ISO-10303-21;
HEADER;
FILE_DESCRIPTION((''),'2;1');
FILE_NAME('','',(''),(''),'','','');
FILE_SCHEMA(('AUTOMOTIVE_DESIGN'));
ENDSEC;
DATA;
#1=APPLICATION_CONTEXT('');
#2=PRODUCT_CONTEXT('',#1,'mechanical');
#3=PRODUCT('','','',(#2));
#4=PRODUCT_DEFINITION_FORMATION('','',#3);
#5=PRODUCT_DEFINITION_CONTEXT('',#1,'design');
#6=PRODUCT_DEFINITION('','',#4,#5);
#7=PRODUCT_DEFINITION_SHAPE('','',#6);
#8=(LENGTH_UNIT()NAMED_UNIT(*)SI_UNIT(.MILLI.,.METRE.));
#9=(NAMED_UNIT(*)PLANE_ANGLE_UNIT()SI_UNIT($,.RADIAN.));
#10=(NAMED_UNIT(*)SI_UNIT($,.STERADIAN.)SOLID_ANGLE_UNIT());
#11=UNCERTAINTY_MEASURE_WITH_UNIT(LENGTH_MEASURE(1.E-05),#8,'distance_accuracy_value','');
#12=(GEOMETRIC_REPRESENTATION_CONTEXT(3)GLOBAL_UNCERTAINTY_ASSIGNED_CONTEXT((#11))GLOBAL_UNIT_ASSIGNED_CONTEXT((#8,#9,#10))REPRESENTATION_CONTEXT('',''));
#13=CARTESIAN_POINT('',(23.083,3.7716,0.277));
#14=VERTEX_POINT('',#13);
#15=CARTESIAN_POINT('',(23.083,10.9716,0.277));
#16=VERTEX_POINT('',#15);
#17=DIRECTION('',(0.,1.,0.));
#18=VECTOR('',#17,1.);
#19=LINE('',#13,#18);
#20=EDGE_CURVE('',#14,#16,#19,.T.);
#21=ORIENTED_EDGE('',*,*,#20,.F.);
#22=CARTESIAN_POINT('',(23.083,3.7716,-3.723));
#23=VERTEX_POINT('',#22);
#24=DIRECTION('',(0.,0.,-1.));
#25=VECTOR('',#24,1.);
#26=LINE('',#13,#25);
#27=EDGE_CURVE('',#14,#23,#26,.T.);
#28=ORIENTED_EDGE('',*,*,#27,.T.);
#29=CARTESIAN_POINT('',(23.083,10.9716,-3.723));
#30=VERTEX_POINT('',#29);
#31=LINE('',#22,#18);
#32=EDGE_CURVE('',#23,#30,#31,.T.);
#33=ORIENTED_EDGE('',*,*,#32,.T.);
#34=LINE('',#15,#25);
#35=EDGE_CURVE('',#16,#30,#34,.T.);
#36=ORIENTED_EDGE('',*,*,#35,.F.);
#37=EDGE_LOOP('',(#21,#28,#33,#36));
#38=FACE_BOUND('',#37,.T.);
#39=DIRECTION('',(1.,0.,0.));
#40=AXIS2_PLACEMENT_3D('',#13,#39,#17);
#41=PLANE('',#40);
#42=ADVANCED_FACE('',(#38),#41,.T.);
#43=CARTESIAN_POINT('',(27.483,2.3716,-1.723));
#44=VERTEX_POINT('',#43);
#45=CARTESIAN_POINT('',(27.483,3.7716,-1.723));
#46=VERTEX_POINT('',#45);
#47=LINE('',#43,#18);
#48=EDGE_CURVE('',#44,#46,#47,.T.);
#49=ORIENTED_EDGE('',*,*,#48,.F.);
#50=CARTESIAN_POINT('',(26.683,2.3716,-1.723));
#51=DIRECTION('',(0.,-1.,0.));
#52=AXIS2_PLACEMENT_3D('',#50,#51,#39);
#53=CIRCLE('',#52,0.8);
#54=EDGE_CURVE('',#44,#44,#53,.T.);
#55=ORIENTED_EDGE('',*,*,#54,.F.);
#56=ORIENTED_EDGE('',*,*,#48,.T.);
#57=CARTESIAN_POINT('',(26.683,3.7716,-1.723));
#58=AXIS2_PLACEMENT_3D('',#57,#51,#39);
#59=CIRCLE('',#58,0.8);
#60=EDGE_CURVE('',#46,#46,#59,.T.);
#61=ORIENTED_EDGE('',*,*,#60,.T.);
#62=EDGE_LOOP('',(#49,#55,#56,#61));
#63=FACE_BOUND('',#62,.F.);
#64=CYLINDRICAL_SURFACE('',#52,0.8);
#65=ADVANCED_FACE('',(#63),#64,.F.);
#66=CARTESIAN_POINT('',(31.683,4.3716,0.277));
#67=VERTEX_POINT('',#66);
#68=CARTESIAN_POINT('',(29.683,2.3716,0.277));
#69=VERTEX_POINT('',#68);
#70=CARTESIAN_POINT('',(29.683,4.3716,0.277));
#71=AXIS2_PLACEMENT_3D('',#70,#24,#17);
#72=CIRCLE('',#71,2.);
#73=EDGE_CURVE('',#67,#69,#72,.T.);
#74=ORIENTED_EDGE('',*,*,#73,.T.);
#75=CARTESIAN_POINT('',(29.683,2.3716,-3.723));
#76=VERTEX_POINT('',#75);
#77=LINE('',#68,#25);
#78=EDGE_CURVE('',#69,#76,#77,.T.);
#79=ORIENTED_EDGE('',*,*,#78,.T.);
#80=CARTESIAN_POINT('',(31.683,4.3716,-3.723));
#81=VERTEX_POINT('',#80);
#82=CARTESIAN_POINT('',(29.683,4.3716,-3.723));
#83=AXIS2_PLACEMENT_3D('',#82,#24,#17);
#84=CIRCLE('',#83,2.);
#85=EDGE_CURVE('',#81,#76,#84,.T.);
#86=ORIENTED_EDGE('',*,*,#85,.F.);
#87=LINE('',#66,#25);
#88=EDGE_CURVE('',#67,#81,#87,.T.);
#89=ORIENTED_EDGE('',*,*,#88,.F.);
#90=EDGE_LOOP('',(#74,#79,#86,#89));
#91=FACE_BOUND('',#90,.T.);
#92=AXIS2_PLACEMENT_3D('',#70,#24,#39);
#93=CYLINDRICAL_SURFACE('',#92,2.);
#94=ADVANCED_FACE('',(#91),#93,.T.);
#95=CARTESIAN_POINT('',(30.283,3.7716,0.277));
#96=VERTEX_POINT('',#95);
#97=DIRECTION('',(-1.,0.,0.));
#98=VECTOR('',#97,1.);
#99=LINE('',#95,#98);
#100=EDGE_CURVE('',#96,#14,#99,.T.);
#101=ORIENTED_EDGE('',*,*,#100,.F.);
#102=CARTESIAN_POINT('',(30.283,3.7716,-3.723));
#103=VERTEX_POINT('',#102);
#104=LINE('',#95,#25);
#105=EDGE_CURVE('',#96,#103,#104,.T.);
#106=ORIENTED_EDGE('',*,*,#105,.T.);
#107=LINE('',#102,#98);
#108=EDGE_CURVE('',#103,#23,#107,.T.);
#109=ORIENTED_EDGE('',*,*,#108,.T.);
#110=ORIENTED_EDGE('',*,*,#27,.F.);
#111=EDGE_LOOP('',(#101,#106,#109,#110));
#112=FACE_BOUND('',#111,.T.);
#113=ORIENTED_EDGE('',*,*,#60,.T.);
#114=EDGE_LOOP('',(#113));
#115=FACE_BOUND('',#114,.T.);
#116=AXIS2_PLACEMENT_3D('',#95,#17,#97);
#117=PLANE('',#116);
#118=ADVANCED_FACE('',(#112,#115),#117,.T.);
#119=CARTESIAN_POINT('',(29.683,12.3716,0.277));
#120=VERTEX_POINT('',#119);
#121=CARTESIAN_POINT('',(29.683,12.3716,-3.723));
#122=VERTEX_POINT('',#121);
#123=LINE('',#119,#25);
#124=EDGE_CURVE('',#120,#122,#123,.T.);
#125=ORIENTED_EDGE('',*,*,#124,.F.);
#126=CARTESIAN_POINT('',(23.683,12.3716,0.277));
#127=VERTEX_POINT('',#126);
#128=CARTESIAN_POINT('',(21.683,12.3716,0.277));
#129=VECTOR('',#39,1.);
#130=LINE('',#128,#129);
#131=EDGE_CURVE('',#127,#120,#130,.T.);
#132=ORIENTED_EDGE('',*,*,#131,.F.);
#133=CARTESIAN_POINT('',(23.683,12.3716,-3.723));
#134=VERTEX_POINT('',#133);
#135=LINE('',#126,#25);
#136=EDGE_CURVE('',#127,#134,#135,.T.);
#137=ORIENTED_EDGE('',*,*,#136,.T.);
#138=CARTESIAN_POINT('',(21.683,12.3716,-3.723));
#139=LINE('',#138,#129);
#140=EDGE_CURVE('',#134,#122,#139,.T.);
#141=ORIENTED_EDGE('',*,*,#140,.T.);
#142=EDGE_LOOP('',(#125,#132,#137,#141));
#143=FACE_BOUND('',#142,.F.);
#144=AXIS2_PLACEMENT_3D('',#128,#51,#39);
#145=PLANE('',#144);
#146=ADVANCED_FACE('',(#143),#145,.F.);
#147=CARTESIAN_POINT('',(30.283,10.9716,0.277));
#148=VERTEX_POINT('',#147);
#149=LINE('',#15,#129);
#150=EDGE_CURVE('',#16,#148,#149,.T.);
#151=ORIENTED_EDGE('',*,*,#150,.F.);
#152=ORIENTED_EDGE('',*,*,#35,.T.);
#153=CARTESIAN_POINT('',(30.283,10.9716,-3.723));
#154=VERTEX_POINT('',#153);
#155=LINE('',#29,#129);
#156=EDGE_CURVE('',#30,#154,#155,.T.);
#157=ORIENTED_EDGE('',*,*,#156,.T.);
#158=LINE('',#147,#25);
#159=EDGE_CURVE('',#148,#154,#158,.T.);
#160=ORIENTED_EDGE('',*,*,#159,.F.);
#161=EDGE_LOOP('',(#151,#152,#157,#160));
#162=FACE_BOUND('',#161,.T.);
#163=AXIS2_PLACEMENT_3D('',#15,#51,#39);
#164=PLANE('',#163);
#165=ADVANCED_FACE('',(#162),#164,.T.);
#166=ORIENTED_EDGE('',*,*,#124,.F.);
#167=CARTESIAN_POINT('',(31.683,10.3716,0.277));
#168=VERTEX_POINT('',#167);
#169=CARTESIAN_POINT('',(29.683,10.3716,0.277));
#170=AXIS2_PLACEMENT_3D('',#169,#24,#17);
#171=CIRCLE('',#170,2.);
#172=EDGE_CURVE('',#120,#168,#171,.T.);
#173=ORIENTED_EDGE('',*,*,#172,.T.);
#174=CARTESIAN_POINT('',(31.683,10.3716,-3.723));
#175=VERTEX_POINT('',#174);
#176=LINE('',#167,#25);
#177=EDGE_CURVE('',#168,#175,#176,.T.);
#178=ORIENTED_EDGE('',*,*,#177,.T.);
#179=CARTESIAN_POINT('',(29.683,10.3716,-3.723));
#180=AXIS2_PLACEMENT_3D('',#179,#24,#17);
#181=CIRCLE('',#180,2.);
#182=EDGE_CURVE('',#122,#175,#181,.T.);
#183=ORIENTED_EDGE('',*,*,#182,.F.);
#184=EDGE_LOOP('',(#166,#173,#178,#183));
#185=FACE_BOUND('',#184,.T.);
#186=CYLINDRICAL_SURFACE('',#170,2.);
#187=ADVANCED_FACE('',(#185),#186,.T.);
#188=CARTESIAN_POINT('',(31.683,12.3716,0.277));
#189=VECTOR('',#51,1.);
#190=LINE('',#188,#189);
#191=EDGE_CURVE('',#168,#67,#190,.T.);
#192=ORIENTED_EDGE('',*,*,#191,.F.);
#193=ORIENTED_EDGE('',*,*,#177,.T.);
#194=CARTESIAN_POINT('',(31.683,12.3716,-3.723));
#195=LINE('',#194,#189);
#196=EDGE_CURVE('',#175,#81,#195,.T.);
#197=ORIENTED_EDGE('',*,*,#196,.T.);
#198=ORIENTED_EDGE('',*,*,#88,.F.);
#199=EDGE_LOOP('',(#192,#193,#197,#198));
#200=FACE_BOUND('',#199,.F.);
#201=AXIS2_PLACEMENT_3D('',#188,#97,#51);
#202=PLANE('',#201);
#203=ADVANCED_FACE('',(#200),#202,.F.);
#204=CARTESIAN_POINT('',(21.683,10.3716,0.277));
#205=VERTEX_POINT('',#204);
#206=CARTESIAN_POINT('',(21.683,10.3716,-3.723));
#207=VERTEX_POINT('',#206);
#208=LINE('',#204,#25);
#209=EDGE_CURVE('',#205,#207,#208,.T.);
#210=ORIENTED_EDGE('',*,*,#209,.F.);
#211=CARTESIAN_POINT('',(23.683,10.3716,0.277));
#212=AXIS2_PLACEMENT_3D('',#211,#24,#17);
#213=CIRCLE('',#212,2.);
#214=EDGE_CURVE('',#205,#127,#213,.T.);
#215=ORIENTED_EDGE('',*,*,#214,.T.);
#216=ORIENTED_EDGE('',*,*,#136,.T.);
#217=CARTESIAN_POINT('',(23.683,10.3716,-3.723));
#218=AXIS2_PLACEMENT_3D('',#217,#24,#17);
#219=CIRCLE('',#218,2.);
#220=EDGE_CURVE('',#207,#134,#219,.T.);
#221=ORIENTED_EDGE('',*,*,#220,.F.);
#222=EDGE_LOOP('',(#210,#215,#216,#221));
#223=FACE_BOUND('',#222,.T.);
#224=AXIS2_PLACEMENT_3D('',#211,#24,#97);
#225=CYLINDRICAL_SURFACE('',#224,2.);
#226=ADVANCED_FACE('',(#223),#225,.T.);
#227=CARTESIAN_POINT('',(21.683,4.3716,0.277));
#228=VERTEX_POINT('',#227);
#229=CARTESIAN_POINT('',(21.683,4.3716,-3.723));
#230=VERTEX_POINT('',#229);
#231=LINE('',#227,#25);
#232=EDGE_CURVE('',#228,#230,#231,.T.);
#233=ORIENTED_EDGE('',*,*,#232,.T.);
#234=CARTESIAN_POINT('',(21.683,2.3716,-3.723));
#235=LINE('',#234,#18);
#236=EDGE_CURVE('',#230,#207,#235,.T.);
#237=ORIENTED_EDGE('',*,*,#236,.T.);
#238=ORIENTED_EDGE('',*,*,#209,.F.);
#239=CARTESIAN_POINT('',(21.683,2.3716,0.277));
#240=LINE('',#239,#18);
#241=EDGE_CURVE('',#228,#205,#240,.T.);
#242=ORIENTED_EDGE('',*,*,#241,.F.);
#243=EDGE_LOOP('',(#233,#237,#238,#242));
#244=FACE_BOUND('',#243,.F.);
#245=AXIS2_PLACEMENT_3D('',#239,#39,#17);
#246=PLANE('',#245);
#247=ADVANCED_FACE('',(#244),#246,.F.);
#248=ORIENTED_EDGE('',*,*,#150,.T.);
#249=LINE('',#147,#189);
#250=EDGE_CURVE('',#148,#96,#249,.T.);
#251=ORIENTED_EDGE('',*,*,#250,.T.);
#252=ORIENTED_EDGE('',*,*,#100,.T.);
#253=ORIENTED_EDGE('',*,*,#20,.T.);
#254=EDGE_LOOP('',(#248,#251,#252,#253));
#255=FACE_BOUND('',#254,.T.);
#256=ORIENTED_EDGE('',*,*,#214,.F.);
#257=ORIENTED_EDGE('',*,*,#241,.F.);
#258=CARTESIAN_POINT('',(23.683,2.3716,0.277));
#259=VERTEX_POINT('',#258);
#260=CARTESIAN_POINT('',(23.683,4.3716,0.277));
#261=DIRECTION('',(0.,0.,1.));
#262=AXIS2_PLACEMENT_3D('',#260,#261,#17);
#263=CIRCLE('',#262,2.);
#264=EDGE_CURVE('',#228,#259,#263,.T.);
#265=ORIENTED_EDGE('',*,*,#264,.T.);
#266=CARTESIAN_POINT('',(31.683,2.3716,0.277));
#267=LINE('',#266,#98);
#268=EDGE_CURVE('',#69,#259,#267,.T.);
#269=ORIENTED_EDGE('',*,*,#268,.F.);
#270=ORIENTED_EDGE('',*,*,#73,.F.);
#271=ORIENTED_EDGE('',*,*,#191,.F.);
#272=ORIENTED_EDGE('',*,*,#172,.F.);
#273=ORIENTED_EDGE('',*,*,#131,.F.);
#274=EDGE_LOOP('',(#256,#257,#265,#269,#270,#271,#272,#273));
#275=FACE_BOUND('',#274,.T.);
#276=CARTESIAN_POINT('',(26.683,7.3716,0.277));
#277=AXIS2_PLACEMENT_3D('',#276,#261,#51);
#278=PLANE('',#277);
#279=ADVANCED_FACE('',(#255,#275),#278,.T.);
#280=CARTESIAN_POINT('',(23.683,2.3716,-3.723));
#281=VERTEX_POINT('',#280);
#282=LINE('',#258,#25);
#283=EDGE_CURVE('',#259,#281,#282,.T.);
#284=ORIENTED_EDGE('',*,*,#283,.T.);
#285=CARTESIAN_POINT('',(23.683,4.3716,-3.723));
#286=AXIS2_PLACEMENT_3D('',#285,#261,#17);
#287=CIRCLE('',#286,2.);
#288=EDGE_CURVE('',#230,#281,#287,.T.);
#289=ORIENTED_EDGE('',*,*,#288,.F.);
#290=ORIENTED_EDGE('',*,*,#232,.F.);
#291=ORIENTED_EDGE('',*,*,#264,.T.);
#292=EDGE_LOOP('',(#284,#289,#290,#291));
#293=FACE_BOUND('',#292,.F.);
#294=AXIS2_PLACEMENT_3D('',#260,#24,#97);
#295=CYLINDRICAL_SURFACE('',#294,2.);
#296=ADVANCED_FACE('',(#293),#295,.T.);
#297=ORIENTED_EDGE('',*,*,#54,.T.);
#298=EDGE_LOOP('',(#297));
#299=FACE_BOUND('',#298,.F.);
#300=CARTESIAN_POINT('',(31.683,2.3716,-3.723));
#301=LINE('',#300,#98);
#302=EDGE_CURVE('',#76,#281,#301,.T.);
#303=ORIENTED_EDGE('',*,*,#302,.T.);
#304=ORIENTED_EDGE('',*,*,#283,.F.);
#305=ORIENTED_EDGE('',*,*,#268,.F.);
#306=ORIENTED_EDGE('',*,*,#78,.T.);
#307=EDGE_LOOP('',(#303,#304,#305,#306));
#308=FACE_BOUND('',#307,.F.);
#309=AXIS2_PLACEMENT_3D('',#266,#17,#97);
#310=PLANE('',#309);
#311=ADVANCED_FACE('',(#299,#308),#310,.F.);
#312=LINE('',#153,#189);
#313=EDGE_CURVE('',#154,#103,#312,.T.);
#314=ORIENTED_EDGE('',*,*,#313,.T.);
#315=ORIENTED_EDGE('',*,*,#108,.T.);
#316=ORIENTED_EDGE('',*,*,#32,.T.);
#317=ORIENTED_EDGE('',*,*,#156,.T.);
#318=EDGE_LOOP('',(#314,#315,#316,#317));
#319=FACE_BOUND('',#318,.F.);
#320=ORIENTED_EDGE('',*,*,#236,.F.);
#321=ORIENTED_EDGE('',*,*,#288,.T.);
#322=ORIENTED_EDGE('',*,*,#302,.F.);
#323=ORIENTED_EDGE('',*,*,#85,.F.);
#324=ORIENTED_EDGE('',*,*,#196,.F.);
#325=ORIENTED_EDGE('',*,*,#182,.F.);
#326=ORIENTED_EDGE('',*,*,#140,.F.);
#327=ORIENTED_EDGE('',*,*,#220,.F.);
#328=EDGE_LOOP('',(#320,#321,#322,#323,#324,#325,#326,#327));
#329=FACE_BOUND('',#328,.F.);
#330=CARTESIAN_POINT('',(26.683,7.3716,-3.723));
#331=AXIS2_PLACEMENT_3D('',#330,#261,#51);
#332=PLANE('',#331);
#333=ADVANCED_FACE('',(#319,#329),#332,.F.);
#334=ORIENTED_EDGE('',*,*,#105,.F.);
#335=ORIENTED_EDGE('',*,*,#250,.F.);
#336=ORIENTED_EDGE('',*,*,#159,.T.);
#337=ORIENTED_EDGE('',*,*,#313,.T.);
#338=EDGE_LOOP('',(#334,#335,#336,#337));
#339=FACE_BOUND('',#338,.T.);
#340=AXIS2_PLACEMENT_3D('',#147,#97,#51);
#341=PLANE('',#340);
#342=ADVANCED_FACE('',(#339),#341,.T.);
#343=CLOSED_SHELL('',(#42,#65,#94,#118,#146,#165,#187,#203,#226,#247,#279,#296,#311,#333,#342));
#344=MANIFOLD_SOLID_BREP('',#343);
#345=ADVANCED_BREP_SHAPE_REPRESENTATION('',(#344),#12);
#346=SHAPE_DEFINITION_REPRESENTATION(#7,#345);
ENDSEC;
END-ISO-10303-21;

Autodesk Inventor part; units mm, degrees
ref_plane "YZ Plane" through (0, 0, 0) normal (1, 0, 0) x (0, 1, 0)
ref_plane "XZ Plane" through (0, 0, 0) normal (0, 1, 0) x (-1, 0, 0)
ref_plane "作業平面1" through (26.683, 7.3716, 0.277) normal (0, 0, 1) x (0, -1, 0)
ref_plane "作業平面2" through (3.1146, -16.3784, -3.723) normal (0, 0, 1) x (1, 0, 0)
sketch "スケッチ1" plane through (26.683, 7.3716, 0.277) normal (0, 0, 1) x (0, -1, 0)
  arc A0 (0.9652, -1.8217) -> (0.7443, -1.8564) centre (0.9303, -2.3204) ccw projected
  arc A1 (0.7443, 1.8564) -> (0.7443, -1.8564) centre (0, 0) ccw projected
  arc A2 (0.7443, 1.8564) -> (0.9652, 1.8217) centre (0.9303, 2.3204) ccw projected
  arc A3 (1.5, 1.3229) -> (0.9652, 1.8217) centre (1, 1.3229) ccw projected
  line L0 (1.5, 1.3229) -> (1.5, -1.3229) projected
  arc A4 (0.9652, -1.8217) -> (1.5, -1.3229) centre (1, -1.3229) ccw projected
  arc A5 (2, -3.5) -> (3.5, -2) centre (2, -2) ccw projected
  line L1 (3.5, -2) -> (3.5, 2) projected
  arc A6 (3.5, 2) -> (2, 3.5) centre (2, 2) ccw projected
  line L2 (2, 3.5) -> (-2, 3.5) projected
  arc A7 (-2, 3.5) -> (-3.5, 2) centre (-2, 2) ccw projected
  line L3 (-3.5, 2) -> (-3.5, -2) projected
  arc A8 (-3.5, -2) -> (-2, -3.5) centre (-2, -2) ccw projected
  line L4 (-2, -3.5) -> (2, -3.5) projected
  line L5 (5, -5) -> (-5, -5)
  line L6 (-5, -5) -> (-5, 5)
  line L7 (-5, 5) -> (5, 5)
  line L8 (5, 5) -> (5, -5)
  line L9 (5, -5) -> (-5, 5) construction
  line L10 (-5, -5) -> (5, 5) construction
  line L11 (3.6, -3.6) -> (-3.6, -3.6)
  line L12 (-3.6, -3.6) -> (-3.6, 3.6)
  line L13 (-3.6, 3.6) -> (3.6, 3.6)
  line L14 (3.6, 3.6) -> (3.6, -3.6)
  line L15 (3.6, -3.6) -> (-3.6, 3.6) construction
  line L16 (-3.6, -3.6) -> (3.6, 3.6) construction
  point P0 (7.3716, -26.683)
  dimension "d0" = 0.1
  dimension "d1" = 10
extrude "押し出し1" add sketch "スケッチ1" against normal up to surface (4 mm away) contours L5 L6 L7 L8
fillet "フィレット1" radius 2 4 edges at (31.683, 12.3716, -1.723) (21.683, 12.3716, -1.723) (21.683, 2.3716, -1.723) (31.683, 2.3716, -1.723)
sketch "スケッチ3" plane through (23.683, 2.3716, 0.277) normal (0, -1, 0) x (1, 0, 0)
  line L0 (6, 0) -> (6, -4) projected
  line L1 (0, 0) -> (6, 0) projected
  line L2 (0, -4) -> (0, 0) projected
  circle A0 centre (3, -2) radius 0.8
  line L3 (6, -4) -> (0, -4) projected
  line L4 (0, 0) -> (6, -4) construction
  line L5 (0, -4) -> (6, 0) construction
  point P0 (-23.683, -0.277)
  point P1 (6, -3.5)
  point P2 (3, -2)
  dimension "d11" = 1.6
extrude "押し出し3" cut sketch "スケッチ3" against normal blind 4 contours A0
properties part number "Tap_zigu"
